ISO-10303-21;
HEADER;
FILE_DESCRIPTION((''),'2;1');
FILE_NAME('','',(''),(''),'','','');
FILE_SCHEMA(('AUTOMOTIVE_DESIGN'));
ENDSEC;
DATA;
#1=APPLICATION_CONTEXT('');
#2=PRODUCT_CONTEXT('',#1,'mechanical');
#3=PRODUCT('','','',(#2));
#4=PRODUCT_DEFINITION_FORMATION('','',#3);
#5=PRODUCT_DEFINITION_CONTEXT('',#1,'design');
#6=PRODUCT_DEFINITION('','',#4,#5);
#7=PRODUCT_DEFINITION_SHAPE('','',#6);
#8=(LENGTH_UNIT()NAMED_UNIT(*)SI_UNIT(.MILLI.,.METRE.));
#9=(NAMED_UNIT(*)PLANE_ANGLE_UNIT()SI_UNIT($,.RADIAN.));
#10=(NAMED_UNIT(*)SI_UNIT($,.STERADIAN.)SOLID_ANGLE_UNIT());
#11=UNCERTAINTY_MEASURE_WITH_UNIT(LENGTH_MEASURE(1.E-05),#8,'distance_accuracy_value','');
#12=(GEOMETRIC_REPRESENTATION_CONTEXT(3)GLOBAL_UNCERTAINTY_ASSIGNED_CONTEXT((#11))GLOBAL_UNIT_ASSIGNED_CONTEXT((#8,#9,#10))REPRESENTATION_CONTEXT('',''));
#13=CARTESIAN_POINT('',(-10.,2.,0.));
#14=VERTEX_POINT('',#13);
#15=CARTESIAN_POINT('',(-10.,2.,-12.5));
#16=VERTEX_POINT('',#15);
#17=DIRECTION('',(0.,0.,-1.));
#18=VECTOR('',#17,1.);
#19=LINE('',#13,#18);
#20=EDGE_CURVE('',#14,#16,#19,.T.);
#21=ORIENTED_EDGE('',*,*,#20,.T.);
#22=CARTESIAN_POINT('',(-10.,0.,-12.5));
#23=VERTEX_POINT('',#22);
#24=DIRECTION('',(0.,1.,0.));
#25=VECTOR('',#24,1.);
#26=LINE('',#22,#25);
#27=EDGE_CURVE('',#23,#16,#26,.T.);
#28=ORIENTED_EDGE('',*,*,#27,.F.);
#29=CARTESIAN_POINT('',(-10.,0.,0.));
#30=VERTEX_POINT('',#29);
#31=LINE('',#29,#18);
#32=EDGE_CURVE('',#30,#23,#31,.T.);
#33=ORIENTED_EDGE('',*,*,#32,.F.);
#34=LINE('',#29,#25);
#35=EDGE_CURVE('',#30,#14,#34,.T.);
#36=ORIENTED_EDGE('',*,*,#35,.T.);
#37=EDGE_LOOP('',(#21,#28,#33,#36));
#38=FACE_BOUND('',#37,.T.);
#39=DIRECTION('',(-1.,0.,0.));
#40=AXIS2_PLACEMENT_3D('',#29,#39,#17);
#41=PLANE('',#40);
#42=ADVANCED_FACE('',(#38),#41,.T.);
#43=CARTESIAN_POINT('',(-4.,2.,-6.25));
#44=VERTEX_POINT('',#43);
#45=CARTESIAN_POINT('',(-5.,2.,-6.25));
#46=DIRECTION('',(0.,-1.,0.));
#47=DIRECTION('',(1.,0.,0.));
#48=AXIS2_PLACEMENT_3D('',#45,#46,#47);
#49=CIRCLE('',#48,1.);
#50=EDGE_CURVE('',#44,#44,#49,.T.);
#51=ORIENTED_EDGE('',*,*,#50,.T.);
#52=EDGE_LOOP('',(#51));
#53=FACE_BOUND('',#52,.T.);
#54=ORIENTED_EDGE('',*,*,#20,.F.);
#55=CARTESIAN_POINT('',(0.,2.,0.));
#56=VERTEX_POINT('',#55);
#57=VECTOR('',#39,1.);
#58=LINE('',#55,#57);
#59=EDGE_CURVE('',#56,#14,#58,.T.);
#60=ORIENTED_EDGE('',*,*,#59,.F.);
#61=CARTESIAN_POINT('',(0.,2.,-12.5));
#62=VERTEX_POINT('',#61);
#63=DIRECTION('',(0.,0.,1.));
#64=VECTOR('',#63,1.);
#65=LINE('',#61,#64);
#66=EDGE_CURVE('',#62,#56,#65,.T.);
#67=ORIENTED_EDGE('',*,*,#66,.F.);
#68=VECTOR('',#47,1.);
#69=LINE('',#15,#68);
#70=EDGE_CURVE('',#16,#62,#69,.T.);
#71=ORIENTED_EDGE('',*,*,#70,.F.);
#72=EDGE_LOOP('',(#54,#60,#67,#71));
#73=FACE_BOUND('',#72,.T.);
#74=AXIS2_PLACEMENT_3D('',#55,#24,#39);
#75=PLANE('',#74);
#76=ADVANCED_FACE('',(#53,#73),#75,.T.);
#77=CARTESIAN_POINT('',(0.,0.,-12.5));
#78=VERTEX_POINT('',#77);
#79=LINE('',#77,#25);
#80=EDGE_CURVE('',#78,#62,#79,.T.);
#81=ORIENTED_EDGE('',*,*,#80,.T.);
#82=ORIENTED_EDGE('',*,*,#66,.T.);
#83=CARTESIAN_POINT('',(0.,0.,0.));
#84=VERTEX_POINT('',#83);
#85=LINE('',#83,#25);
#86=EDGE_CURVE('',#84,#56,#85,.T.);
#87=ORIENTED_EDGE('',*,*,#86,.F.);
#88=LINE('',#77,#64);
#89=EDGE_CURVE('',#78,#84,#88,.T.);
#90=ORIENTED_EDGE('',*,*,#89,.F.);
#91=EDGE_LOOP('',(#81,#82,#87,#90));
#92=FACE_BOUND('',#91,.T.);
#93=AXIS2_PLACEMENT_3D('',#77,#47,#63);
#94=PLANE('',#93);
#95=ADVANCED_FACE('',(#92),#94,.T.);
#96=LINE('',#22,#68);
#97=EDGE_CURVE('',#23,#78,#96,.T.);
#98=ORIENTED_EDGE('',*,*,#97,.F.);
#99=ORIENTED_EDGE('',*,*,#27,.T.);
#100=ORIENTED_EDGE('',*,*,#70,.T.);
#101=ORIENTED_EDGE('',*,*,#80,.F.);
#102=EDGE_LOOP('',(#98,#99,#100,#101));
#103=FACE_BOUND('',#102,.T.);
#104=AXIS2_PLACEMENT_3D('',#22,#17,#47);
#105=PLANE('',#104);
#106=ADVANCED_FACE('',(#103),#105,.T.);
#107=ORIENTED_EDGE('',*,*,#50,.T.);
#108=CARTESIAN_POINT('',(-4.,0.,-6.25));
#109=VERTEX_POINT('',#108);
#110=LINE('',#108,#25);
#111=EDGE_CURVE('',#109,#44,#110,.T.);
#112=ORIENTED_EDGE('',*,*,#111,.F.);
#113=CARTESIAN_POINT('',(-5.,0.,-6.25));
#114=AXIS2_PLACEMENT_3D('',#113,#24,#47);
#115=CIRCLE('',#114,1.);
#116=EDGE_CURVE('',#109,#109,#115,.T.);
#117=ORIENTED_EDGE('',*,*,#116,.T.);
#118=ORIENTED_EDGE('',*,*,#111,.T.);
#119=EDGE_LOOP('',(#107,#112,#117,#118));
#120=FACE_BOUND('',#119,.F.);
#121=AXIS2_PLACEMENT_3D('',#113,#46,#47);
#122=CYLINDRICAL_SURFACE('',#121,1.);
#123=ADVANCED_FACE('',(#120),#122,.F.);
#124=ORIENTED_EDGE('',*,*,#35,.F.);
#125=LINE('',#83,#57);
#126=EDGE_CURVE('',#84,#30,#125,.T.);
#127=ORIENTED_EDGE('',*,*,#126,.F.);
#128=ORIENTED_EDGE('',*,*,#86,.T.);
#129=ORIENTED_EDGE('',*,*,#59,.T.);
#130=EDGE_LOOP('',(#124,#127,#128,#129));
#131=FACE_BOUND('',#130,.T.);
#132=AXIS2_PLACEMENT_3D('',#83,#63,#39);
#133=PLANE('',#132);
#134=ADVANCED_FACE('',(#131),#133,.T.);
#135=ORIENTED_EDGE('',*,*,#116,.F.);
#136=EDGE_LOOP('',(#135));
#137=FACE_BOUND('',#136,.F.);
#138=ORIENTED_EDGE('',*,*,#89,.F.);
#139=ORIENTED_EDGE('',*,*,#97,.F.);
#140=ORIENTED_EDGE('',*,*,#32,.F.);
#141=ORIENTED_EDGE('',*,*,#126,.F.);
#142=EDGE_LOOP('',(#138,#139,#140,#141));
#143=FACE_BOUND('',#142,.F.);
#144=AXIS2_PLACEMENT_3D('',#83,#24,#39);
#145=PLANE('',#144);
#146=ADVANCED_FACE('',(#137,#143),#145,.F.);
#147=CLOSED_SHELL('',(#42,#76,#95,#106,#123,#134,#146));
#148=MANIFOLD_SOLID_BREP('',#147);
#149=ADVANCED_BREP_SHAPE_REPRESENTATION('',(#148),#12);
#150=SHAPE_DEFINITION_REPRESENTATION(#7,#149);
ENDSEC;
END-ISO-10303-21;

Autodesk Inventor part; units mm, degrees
ref_plane "YZ Plane" through (0, 0, 0) normal (1, 0, 0) x (0, 1, 0)
ref_plane "XZ Plane" through (0, 0, 0) normal (0, 1, 0) x (-1, 0, 0)
ref_plane "XY Plane" through (0, 0, 0) normal (0, 0, 1) x (1, 0, 0)
sketch "Sketch1" plane through (0, 0, 0) normal (0, 1, 0) x (-1, 0, 0)
  line L0 (0, 0) -> (10, 0)
  line L1 (10, 0) -> (10, -12.5)
  line L2 (10, -12.5) -> (0, -12.5)
  line L3 (0, -12.5) -> (0, 0)
  dimension "d0" = 10
  dimension "d1" = 12.5
extrude "Extrusion1" add sketch "Sketch1" along normal blind 2
sketch "Sketch2" plane through (0, 0, 0) normal (0, -1, 0) x (1, 0, 0)
  line L0 (-10, -12.5) -> (-10, 0) projected
  line L1 (-10, 0) -> (-5, 0)
  line L2 (-5, 0) -> (-5, -6.25)
  line L3 (-5, -6.25) -> (-10, -6.25)
  line L4 (-10, -6.25) -> (-10, 0)
  circle A0 centre (-5, -6.25) radius 1
  point P0 (0, 0)
  dimension "d4" = 5
  dimension "d5" = 6.25
  dimension "d6" = 2
extrude "Extrusion2" cut sketch "Sketch2" against normal blind 2 contours A0 L2 L3 | L3 L2 A0
properties part number "LaserMoutBottom"
